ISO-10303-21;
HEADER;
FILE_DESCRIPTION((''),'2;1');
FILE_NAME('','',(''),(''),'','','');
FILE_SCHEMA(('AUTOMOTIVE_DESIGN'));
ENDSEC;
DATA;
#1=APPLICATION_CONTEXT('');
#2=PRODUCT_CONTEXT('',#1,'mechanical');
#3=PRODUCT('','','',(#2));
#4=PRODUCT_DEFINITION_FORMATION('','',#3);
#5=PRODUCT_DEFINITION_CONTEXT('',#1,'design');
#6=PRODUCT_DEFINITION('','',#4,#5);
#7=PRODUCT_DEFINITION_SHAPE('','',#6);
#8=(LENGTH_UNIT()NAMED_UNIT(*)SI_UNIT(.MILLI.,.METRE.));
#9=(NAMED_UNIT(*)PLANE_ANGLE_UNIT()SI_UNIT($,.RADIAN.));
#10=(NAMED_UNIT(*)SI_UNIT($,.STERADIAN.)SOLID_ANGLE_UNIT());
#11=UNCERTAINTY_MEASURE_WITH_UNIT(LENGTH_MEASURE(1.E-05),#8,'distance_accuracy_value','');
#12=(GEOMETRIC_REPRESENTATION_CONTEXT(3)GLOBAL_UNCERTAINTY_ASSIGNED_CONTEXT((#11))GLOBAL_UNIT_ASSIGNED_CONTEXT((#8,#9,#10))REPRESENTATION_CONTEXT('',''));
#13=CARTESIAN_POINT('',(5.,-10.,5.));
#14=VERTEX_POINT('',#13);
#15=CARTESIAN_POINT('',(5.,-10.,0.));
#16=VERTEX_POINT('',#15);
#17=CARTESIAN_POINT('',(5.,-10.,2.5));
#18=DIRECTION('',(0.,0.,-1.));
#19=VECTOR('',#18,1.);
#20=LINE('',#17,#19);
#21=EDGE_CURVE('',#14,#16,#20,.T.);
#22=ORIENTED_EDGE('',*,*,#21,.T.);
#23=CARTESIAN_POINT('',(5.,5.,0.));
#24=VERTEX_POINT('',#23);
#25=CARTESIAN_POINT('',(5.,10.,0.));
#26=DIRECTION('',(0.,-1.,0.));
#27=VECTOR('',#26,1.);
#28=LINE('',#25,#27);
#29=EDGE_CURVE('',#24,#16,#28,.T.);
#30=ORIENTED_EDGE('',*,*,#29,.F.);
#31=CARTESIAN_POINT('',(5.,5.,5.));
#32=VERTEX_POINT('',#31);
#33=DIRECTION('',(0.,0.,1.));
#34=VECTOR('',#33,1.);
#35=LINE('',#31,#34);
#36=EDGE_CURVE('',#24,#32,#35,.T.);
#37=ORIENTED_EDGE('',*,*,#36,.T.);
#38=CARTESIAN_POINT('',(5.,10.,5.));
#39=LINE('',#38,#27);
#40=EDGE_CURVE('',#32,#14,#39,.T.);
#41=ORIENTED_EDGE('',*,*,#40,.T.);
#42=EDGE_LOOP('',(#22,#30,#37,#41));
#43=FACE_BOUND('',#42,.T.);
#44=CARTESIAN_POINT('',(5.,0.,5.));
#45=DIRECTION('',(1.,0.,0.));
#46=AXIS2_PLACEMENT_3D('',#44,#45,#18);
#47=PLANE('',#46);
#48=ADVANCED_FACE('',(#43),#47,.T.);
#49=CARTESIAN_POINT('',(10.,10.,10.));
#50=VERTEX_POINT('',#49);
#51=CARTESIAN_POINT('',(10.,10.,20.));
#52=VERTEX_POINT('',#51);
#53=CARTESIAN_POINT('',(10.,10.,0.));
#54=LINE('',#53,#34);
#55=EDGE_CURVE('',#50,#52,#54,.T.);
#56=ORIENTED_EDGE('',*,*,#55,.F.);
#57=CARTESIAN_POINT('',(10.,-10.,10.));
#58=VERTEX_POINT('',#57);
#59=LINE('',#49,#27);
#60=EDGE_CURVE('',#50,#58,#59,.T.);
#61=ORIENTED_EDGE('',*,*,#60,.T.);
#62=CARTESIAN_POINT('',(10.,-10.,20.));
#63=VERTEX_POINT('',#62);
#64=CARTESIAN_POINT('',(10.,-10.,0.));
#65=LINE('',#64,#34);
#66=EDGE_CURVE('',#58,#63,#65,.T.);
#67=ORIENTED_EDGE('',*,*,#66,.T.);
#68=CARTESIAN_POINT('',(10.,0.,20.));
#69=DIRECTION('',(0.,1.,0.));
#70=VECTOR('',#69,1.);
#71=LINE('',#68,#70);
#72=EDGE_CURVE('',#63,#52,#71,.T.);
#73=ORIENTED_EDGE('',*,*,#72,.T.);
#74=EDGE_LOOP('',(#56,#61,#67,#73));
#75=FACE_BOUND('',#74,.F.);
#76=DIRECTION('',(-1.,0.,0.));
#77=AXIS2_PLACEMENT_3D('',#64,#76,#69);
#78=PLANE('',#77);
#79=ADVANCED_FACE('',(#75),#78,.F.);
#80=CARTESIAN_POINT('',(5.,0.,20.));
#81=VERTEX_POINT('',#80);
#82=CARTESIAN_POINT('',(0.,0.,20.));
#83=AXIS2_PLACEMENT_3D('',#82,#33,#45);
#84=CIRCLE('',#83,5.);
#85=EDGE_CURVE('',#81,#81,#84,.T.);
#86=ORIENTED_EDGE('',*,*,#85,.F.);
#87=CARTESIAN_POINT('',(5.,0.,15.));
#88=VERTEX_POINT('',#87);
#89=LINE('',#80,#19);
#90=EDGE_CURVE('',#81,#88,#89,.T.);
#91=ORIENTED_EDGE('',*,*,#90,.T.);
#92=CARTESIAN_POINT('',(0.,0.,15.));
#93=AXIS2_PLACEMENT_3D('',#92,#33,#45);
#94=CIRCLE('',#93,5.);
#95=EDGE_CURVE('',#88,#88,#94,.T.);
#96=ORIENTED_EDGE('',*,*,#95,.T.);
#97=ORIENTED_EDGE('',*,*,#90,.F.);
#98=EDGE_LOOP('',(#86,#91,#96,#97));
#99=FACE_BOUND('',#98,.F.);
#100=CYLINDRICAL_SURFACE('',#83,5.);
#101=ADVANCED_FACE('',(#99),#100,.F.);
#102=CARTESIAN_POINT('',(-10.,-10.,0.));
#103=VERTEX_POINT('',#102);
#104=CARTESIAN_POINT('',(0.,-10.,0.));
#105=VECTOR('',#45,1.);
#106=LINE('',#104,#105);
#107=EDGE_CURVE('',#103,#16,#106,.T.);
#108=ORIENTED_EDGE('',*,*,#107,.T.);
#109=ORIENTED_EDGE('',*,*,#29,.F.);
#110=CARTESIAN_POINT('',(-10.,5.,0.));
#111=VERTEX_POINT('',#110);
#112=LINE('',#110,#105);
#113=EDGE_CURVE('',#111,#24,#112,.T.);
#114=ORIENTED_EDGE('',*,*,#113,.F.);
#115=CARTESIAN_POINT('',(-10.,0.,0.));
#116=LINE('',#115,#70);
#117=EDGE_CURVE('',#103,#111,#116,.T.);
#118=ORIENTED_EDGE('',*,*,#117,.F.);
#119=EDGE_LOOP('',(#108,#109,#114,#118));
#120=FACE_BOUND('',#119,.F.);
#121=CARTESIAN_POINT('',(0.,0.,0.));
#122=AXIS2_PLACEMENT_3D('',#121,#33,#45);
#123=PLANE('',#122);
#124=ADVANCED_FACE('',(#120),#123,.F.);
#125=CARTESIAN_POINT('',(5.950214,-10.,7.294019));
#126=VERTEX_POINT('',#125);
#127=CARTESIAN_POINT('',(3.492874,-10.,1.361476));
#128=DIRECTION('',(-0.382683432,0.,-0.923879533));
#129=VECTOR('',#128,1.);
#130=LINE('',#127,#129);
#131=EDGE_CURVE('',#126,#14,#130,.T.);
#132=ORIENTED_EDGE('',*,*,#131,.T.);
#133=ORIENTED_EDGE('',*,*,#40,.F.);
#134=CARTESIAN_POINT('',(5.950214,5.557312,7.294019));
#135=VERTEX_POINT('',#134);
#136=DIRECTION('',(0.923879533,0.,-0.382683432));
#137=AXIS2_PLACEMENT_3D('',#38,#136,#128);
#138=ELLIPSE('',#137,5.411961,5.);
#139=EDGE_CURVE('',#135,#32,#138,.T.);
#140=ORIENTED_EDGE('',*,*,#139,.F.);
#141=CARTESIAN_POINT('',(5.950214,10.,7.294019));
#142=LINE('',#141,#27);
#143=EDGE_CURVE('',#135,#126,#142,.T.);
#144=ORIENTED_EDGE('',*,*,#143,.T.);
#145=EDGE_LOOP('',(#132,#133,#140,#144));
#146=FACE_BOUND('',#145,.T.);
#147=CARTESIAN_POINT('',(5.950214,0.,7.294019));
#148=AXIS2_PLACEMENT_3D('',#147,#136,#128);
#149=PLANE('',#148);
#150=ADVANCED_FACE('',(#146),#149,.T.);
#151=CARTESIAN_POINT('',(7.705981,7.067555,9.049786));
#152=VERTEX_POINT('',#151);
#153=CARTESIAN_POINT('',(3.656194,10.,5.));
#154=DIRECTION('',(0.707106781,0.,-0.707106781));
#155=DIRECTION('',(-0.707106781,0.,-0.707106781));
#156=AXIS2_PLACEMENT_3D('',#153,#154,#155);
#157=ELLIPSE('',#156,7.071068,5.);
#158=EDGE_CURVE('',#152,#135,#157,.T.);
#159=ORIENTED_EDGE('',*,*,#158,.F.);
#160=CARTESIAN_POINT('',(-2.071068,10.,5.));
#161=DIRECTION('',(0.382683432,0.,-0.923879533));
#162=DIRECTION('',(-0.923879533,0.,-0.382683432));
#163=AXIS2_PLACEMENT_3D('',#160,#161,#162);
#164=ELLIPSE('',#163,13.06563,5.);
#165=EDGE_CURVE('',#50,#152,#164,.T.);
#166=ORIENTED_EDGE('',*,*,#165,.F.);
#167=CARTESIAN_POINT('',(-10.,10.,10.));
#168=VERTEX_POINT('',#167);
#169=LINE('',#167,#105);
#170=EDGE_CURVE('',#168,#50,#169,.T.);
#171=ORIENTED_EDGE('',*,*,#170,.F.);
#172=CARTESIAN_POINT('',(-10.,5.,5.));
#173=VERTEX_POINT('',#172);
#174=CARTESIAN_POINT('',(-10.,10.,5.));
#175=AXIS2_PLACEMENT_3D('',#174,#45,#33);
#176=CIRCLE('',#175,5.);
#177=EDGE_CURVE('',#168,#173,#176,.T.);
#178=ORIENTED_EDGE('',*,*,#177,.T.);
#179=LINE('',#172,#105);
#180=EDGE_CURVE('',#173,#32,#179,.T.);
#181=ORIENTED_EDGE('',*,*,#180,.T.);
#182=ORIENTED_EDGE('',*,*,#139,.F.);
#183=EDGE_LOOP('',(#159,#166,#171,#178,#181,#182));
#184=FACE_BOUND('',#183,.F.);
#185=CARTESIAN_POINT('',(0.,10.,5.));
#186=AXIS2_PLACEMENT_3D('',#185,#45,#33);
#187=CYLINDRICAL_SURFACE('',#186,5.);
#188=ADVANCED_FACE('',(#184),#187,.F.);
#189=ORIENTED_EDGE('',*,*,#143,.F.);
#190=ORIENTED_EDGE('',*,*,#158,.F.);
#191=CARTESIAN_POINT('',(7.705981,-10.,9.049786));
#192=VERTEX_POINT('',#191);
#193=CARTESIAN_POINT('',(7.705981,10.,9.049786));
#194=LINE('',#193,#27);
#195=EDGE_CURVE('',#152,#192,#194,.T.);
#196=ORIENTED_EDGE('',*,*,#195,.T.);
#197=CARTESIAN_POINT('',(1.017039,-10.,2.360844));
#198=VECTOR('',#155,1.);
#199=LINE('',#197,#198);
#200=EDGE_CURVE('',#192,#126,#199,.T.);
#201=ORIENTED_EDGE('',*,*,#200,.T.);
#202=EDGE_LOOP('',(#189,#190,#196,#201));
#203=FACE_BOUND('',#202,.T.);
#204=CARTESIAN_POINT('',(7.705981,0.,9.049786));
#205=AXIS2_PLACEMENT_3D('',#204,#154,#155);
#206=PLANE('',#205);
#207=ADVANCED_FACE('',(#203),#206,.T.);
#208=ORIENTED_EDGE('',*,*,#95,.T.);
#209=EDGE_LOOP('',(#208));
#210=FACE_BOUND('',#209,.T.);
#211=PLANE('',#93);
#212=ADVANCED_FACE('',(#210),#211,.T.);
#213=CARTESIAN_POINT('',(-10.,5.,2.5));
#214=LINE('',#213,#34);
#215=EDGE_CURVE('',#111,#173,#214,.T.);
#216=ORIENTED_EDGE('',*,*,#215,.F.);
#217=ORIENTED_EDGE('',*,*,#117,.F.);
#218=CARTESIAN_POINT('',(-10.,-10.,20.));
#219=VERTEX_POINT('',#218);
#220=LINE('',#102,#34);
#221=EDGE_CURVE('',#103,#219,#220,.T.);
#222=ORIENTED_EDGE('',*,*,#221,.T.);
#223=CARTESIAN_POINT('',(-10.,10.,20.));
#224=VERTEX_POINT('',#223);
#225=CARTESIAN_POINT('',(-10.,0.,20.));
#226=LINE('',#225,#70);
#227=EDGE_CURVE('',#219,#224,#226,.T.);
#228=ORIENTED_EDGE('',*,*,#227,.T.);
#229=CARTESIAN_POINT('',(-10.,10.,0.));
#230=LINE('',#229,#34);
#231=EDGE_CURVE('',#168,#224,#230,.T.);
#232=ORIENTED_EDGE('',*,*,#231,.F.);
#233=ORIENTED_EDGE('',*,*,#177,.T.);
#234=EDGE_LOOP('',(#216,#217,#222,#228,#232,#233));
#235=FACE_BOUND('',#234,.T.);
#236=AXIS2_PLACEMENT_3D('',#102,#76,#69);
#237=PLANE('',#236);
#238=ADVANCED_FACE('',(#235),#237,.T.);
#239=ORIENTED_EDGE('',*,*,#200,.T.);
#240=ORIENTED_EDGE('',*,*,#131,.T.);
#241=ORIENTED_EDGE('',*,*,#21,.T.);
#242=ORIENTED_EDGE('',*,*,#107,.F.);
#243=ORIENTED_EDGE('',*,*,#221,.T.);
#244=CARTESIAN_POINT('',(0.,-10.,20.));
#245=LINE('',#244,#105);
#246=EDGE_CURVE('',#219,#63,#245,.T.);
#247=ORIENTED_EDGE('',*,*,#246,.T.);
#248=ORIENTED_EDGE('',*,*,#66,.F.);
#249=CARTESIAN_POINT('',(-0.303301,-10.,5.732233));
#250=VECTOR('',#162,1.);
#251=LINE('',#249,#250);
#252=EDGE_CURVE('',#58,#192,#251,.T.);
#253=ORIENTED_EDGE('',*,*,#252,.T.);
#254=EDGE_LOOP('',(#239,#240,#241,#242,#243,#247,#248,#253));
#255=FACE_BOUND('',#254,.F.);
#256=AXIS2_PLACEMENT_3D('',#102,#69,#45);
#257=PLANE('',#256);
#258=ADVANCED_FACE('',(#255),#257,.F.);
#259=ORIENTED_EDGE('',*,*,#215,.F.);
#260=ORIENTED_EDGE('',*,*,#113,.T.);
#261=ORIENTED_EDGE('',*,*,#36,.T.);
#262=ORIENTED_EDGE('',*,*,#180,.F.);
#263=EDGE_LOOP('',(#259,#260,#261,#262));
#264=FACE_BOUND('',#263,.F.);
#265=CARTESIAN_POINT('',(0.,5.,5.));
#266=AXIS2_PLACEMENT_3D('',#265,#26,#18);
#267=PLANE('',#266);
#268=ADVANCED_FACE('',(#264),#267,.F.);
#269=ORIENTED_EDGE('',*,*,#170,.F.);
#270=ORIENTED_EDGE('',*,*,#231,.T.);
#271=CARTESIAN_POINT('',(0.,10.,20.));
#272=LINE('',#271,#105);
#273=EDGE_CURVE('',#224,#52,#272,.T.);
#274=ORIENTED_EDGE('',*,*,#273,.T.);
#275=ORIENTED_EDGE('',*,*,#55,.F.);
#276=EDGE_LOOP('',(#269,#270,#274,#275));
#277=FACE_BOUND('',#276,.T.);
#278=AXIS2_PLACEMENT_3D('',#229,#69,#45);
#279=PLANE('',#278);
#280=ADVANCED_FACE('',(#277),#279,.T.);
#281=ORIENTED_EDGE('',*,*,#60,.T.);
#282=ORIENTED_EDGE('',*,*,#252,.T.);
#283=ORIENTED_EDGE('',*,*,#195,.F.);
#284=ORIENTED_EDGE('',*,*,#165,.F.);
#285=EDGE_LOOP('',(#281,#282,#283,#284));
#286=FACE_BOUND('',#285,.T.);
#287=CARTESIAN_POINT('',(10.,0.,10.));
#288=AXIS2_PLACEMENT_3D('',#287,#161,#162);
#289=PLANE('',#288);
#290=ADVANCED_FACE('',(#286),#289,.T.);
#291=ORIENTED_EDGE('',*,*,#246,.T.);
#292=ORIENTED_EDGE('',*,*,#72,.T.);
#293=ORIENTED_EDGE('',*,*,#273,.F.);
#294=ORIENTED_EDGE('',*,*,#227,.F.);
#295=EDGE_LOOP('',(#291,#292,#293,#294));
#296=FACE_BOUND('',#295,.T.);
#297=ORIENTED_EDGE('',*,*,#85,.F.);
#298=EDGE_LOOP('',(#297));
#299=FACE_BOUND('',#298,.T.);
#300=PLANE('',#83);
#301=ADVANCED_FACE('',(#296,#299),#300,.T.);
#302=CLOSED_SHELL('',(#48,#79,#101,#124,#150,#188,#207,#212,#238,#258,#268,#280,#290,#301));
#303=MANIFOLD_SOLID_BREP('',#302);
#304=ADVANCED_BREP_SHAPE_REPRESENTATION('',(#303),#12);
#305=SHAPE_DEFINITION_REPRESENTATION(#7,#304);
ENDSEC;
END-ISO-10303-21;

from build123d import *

# Parameters (mm, degrees)
F0_W          = 20
F0_H          = 20
F1_DEPTH      = 20
F3_DEPTH      = 10.001
F3_DEPTH_BACK = 10.001
F5_DEPTH      = 10.001
F5_DEPTH_BACK = 10.001
F6_R          = 5
F7_DEPTH      = 5


with BuildPart() as f1:
    # F0 (on Top) → F1 (new body)
    with BuildSketch(Plane.XY):
        Rectangle(F0_W, F0_H)
    extrude(amount=F1_DEPTH)

    # F2 (on Front) → F3 (cut, two sides)
    with BuildSketch(Plane.XZ) as f3_sk:
        Polygon((5, 5), (5, 0), (10, 0), (10, 10), (7.7059805007, 9.0497860111), (5.9502139889, 7.2940194993), align=None)
    extrude(amount=-F3_DEPTH, mode=Mode.SUBTRACT)
    extrude(f3_sk.sketch, amount=F3_DEPTH_BACK, mode=Mode.SUBTRACT)

    # F4 (on Right) → F5 (cut, two sides)
    with BuildSketch(Plane.YZ) as f5_sk:
        with BuildLine():
            Line((5, 5), (5, 0))
            Line((5, 0), (10, 0))
            Line((10, 0), (10, 10))
            ThreePointArc((10, 10), (6.4644660941, 8.5355339059), (5, 5))
        make_face()
    extrude(amount=-F5_DEPTH, mode=Mode.SUBTRACT)
    extrude(f5_sk.sketch, amount=F5_DEPTH_BACK, mode=Mode.SUBTRACT)

    # F6 (on face) → F7 (cut)
    with BuildSketch(Plane.XY.offset(20)):
        Circle(F6_R)
    extrude(amount=-F7_DEPTH, mode=Mode.SUBTRACT)


solid = f1.part
